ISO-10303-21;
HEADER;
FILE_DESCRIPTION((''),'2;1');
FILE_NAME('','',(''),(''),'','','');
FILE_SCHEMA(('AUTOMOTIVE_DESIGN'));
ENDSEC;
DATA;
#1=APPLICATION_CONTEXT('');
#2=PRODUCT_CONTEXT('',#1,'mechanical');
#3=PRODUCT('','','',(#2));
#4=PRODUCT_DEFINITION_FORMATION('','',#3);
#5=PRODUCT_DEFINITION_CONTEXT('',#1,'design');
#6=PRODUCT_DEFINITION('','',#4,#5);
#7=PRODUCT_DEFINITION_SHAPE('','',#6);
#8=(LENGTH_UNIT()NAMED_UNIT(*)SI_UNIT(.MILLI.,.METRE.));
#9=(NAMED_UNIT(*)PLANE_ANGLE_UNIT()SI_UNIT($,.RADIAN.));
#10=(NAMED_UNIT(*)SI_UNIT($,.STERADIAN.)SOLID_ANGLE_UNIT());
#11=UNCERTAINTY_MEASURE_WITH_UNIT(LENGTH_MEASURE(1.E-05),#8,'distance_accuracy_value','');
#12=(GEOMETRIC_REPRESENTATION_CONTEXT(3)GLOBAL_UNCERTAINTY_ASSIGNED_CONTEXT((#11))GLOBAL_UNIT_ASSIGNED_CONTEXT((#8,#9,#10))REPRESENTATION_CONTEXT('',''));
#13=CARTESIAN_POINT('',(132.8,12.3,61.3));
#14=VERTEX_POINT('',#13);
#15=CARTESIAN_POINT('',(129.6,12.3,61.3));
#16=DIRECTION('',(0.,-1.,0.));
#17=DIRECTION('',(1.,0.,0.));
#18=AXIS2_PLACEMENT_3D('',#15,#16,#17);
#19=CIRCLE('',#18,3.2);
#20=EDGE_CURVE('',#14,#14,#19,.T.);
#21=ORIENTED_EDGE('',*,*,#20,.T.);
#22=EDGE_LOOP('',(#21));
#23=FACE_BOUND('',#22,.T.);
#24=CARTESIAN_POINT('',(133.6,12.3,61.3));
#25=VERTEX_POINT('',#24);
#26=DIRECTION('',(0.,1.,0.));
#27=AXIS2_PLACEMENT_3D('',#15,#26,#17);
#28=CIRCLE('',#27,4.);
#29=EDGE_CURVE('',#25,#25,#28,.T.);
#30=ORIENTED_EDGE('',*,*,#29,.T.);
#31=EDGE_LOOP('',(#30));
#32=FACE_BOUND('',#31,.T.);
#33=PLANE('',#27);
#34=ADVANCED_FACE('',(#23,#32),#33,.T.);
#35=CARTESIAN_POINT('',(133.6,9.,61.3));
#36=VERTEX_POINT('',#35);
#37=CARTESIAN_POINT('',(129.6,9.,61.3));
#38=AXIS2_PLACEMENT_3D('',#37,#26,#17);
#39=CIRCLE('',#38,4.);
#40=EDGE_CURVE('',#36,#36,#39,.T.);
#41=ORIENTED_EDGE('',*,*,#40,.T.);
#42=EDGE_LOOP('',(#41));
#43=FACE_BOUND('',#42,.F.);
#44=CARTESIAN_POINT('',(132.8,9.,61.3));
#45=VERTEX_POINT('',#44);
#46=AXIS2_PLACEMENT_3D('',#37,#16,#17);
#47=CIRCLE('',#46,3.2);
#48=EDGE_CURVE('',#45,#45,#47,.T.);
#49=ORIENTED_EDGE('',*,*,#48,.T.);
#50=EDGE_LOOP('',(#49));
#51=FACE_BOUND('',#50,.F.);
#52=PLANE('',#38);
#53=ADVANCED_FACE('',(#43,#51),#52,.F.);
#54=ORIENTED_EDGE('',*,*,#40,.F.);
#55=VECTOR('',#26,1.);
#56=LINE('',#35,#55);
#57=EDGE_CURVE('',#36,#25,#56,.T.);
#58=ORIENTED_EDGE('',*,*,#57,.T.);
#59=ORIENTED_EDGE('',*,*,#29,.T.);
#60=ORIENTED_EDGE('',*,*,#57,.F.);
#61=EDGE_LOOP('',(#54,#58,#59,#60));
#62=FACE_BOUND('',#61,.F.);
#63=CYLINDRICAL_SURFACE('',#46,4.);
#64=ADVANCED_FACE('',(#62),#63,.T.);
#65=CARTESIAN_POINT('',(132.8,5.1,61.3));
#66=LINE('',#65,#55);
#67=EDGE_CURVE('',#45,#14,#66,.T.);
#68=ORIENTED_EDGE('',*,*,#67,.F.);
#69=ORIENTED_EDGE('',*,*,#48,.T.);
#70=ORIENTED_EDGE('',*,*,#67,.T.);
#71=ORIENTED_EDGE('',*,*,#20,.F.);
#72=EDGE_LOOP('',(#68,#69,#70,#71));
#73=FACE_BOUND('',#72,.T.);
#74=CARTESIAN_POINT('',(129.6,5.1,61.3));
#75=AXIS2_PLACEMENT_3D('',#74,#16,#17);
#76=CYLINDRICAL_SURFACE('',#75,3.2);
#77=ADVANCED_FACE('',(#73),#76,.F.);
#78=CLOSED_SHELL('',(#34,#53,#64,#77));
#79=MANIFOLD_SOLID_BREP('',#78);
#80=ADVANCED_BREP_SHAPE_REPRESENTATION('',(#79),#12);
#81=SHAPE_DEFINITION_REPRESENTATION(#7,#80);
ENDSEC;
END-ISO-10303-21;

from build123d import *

# Parameters (mm, degrees)
CYLINDER237_R     = 3.2
CYLINDER237_DEPTH = 10
CYLINDER236_R     = 4
CYLINDER236_DEPTH = 3.3


with BuildPart() as cylinder237:
    # Cylinder237 → Cylinder237 (new body)
    with BuildSketch(Plane(origin=(129.6, 5.1, 61.3), x_dir=(1, 0, 0), z_dir=(0, 1, 0))):
        Circle(CYLINDER237_R)
    extrude(amount=CYLINDER237_DEPTH)


with BuildPart() as cut279:
    # Cylinder236 → Cylinder236 (new body)
    with BuildSketch(Plane(origin=(129.6, 9, 61.3), x_dir=(1, 0, 0), z_dir=(0, 1, 0))):
        Circle(CYLINDER236_R)
    extrude(amount=CYLINDER236_DEPTH)

    # Cut279: cut Cylinder237
    add(cylinder237.part, mode=Mode.SUBTRACT)


solid = cut279.part
